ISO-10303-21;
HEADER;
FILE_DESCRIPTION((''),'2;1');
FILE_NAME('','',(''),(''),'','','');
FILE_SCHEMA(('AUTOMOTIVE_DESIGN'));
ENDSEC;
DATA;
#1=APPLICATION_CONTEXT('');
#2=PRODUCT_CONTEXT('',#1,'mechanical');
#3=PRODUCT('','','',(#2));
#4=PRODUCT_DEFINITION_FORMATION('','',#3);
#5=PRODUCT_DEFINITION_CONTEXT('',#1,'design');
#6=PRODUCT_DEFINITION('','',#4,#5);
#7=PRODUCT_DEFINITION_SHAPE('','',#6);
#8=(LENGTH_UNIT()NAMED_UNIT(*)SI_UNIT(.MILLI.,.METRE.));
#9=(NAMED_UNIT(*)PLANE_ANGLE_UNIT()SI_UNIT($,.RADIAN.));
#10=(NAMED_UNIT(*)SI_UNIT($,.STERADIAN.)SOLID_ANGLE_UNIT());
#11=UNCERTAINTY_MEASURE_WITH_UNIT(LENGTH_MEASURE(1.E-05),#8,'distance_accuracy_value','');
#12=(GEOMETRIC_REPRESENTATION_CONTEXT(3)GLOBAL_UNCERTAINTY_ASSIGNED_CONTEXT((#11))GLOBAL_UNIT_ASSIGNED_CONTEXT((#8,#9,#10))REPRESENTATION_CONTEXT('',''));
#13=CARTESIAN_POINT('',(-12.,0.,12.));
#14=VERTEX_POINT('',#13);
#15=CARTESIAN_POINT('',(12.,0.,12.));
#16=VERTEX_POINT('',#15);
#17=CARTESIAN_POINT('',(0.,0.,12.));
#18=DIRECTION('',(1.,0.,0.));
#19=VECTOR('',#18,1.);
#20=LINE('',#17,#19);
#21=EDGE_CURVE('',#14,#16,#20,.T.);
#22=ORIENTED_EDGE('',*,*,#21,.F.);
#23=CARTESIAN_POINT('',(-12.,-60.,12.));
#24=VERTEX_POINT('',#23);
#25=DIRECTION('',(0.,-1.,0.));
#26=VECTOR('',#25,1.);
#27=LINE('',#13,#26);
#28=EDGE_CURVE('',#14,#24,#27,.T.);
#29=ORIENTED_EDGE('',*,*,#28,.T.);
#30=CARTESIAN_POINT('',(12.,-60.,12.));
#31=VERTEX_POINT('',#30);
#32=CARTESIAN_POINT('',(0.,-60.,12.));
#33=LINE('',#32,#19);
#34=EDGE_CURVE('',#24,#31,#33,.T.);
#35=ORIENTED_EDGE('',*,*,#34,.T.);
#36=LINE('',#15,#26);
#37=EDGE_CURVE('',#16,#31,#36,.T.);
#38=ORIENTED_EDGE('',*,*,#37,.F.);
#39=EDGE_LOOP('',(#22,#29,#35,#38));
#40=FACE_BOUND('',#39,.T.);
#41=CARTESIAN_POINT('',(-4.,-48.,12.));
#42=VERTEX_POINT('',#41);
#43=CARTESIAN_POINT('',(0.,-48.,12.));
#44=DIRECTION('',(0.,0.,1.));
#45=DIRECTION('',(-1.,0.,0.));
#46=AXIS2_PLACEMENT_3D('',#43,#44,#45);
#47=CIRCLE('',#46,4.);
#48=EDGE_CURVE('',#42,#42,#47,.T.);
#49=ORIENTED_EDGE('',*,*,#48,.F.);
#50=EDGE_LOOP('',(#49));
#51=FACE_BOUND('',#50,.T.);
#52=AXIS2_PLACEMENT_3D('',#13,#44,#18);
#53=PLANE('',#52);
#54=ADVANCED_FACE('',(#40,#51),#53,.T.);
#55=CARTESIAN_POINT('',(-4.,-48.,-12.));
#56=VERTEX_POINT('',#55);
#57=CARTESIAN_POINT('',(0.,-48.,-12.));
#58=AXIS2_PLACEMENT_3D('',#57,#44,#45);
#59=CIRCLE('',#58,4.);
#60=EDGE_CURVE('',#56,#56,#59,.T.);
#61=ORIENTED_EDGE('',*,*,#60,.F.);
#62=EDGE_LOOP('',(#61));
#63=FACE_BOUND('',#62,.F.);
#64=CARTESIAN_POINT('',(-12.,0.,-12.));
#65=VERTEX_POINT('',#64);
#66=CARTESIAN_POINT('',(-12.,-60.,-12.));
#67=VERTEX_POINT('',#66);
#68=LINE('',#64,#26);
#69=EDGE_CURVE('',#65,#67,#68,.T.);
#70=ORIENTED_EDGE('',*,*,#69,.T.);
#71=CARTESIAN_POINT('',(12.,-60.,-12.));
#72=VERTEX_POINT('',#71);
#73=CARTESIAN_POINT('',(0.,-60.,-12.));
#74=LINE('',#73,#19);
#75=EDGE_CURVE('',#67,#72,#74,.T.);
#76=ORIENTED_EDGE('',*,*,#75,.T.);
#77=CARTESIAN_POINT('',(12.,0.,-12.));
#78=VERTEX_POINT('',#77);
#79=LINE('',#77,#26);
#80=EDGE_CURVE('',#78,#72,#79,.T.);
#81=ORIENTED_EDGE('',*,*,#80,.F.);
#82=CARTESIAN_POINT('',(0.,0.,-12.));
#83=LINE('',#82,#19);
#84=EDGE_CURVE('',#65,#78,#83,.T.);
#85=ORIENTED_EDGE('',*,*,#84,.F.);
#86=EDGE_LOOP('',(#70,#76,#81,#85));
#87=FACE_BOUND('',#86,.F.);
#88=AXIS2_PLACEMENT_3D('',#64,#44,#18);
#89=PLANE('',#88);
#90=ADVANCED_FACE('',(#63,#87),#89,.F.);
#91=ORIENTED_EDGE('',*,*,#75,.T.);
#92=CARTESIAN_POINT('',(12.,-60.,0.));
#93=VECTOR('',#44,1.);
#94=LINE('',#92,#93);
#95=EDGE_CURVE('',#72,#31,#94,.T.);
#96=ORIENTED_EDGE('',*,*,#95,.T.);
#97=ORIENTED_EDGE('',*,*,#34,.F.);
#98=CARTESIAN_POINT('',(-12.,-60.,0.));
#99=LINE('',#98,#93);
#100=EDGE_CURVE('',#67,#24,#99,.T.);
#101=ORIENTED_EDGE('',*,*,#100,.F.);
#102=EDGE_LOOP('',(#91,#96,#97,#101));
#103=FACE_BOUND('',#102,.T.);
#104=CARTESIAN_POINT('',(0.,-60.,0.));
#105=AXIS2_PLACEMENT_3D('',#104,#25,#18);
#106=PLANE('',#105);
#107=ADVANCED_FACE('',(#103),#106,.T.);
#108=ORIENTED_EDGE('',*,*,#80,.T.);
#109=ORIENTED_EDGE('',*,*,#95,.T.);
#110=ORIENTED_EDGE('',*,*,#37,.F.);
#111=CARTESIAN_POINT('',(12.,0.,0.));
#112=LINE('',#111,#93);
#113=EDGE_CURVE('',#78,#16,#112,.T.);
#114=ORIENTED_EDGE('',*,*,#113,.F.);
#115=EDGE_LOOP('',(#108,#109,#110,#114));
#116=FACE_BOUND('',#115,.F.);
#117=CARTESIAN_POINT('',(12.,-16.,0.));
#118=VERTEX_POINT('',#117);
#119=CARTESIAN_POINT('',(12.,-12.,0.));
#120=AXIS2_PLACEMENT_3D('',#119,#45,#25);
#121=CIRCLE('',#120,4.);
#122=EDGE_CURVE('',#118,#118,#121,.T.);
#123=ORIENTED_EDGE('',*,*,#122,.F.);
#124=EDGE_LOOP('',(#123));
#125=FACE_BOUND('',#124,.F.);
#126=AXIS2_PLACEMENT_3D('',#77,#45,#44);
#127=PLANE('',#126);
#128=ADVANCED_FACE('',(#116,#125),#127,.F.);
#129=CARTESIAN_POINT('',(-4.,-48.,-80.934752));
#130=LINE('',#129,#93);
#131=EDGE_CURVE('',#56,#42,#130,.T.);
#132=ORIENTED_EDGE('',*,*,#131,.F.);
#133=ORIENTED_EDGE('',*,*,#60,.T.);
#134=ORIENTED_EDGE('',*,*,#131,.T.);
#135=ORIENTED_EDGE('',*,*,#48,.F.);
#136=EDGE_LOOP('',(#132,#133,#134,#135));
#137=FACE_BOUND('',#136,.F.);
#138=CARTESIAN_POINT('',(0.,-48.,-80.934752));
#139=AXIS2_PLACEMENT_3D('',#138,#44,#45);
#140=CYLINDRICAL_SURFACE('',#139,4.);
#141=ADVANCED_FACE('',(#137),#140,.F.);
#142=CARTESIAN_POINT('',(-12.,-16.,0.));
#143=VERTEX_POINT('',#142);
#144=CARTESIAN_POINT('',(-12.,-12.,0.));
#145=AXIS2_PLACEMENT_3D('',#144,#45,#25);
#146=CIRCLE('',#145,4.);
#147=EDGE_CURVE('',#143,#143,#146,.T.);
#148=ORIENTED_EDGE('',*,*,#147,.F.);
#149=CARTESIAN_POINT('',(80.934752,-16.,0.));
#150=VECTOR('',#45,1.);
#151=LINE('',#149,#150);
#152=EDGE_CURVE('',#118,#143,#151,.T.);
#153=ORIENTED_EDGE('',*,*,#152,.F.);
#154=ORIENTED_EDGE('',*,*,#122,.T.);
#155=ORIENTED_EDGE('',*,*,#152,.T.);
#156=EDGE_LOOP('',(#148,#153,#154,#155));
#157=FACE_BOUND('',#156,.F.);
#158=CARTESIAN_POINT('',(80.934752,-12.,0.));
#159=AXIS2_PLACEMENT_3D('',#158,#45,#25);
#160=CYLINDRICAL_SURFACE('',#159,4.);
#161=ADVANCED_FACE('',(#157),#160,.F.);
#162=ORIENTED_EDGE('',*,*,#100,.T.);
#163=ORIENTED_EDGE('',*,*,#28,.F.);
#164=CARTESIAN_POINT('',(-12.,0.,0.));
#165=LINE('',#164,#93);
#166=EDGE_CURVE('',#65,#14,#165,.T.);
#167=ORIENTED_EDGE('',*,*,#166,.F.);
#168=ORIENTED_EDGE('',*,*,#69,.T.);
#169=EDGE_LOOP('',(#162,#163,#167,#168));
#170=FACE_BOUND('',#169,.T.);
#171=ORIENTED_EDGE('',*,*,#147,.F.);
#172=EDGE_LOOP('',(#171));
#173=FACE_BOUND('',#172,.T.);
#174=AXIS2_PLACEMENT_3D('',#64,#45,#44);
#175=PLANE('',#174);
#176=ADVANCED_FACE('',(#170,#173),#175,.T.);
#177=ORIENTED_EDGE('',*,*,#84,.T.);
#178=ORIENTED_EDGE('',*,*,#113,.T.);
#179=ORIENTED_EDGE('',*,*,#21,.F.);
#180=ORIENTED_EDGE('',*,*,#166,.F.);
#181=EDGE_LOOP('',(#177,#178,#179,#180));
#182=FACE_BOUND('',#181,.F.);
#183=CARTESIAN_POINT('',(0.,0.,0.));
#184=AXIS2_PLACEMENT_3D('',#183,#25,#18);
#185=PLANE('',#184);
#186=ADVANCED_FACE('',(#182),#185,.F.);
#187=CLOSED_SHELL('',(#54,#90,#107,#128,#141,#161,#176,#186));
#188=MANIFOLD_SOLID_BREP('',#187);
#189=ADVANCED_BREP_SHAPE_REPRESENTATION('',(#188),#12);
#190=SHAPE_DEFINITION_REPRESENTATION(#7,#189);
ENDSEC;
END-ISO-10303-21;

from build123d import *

# Parameters (mm, degrees)
F0_W       = 24
F0_H       = 24
F1_DEPTH   = 60
F4_D       = 8
F4_ON_F2_D = 8


with BuildPart() as f1:
    # F0 (on Front) → F1 (new body)
    with BuildSketch(Plane.XZ):
        Rectangle(F0_W, F0_H)
    extrude(amount=F1_DEPTH)

    # F4 (through all)
    with Locations(Plane.YZ.offset(12)):
        with Locations((-12, 0)):
            Hole(F4_D / 2)

    # F4 on F2 (through all)
    with Locations(Plane(origin=(0, 0, -12), x_dir=(1, 0, 0), z_dir=(0, 0, -1))):
        with Locations((0, 48)):
            Hole(F4_ON_F2_D / 2)


solid = f1.part
